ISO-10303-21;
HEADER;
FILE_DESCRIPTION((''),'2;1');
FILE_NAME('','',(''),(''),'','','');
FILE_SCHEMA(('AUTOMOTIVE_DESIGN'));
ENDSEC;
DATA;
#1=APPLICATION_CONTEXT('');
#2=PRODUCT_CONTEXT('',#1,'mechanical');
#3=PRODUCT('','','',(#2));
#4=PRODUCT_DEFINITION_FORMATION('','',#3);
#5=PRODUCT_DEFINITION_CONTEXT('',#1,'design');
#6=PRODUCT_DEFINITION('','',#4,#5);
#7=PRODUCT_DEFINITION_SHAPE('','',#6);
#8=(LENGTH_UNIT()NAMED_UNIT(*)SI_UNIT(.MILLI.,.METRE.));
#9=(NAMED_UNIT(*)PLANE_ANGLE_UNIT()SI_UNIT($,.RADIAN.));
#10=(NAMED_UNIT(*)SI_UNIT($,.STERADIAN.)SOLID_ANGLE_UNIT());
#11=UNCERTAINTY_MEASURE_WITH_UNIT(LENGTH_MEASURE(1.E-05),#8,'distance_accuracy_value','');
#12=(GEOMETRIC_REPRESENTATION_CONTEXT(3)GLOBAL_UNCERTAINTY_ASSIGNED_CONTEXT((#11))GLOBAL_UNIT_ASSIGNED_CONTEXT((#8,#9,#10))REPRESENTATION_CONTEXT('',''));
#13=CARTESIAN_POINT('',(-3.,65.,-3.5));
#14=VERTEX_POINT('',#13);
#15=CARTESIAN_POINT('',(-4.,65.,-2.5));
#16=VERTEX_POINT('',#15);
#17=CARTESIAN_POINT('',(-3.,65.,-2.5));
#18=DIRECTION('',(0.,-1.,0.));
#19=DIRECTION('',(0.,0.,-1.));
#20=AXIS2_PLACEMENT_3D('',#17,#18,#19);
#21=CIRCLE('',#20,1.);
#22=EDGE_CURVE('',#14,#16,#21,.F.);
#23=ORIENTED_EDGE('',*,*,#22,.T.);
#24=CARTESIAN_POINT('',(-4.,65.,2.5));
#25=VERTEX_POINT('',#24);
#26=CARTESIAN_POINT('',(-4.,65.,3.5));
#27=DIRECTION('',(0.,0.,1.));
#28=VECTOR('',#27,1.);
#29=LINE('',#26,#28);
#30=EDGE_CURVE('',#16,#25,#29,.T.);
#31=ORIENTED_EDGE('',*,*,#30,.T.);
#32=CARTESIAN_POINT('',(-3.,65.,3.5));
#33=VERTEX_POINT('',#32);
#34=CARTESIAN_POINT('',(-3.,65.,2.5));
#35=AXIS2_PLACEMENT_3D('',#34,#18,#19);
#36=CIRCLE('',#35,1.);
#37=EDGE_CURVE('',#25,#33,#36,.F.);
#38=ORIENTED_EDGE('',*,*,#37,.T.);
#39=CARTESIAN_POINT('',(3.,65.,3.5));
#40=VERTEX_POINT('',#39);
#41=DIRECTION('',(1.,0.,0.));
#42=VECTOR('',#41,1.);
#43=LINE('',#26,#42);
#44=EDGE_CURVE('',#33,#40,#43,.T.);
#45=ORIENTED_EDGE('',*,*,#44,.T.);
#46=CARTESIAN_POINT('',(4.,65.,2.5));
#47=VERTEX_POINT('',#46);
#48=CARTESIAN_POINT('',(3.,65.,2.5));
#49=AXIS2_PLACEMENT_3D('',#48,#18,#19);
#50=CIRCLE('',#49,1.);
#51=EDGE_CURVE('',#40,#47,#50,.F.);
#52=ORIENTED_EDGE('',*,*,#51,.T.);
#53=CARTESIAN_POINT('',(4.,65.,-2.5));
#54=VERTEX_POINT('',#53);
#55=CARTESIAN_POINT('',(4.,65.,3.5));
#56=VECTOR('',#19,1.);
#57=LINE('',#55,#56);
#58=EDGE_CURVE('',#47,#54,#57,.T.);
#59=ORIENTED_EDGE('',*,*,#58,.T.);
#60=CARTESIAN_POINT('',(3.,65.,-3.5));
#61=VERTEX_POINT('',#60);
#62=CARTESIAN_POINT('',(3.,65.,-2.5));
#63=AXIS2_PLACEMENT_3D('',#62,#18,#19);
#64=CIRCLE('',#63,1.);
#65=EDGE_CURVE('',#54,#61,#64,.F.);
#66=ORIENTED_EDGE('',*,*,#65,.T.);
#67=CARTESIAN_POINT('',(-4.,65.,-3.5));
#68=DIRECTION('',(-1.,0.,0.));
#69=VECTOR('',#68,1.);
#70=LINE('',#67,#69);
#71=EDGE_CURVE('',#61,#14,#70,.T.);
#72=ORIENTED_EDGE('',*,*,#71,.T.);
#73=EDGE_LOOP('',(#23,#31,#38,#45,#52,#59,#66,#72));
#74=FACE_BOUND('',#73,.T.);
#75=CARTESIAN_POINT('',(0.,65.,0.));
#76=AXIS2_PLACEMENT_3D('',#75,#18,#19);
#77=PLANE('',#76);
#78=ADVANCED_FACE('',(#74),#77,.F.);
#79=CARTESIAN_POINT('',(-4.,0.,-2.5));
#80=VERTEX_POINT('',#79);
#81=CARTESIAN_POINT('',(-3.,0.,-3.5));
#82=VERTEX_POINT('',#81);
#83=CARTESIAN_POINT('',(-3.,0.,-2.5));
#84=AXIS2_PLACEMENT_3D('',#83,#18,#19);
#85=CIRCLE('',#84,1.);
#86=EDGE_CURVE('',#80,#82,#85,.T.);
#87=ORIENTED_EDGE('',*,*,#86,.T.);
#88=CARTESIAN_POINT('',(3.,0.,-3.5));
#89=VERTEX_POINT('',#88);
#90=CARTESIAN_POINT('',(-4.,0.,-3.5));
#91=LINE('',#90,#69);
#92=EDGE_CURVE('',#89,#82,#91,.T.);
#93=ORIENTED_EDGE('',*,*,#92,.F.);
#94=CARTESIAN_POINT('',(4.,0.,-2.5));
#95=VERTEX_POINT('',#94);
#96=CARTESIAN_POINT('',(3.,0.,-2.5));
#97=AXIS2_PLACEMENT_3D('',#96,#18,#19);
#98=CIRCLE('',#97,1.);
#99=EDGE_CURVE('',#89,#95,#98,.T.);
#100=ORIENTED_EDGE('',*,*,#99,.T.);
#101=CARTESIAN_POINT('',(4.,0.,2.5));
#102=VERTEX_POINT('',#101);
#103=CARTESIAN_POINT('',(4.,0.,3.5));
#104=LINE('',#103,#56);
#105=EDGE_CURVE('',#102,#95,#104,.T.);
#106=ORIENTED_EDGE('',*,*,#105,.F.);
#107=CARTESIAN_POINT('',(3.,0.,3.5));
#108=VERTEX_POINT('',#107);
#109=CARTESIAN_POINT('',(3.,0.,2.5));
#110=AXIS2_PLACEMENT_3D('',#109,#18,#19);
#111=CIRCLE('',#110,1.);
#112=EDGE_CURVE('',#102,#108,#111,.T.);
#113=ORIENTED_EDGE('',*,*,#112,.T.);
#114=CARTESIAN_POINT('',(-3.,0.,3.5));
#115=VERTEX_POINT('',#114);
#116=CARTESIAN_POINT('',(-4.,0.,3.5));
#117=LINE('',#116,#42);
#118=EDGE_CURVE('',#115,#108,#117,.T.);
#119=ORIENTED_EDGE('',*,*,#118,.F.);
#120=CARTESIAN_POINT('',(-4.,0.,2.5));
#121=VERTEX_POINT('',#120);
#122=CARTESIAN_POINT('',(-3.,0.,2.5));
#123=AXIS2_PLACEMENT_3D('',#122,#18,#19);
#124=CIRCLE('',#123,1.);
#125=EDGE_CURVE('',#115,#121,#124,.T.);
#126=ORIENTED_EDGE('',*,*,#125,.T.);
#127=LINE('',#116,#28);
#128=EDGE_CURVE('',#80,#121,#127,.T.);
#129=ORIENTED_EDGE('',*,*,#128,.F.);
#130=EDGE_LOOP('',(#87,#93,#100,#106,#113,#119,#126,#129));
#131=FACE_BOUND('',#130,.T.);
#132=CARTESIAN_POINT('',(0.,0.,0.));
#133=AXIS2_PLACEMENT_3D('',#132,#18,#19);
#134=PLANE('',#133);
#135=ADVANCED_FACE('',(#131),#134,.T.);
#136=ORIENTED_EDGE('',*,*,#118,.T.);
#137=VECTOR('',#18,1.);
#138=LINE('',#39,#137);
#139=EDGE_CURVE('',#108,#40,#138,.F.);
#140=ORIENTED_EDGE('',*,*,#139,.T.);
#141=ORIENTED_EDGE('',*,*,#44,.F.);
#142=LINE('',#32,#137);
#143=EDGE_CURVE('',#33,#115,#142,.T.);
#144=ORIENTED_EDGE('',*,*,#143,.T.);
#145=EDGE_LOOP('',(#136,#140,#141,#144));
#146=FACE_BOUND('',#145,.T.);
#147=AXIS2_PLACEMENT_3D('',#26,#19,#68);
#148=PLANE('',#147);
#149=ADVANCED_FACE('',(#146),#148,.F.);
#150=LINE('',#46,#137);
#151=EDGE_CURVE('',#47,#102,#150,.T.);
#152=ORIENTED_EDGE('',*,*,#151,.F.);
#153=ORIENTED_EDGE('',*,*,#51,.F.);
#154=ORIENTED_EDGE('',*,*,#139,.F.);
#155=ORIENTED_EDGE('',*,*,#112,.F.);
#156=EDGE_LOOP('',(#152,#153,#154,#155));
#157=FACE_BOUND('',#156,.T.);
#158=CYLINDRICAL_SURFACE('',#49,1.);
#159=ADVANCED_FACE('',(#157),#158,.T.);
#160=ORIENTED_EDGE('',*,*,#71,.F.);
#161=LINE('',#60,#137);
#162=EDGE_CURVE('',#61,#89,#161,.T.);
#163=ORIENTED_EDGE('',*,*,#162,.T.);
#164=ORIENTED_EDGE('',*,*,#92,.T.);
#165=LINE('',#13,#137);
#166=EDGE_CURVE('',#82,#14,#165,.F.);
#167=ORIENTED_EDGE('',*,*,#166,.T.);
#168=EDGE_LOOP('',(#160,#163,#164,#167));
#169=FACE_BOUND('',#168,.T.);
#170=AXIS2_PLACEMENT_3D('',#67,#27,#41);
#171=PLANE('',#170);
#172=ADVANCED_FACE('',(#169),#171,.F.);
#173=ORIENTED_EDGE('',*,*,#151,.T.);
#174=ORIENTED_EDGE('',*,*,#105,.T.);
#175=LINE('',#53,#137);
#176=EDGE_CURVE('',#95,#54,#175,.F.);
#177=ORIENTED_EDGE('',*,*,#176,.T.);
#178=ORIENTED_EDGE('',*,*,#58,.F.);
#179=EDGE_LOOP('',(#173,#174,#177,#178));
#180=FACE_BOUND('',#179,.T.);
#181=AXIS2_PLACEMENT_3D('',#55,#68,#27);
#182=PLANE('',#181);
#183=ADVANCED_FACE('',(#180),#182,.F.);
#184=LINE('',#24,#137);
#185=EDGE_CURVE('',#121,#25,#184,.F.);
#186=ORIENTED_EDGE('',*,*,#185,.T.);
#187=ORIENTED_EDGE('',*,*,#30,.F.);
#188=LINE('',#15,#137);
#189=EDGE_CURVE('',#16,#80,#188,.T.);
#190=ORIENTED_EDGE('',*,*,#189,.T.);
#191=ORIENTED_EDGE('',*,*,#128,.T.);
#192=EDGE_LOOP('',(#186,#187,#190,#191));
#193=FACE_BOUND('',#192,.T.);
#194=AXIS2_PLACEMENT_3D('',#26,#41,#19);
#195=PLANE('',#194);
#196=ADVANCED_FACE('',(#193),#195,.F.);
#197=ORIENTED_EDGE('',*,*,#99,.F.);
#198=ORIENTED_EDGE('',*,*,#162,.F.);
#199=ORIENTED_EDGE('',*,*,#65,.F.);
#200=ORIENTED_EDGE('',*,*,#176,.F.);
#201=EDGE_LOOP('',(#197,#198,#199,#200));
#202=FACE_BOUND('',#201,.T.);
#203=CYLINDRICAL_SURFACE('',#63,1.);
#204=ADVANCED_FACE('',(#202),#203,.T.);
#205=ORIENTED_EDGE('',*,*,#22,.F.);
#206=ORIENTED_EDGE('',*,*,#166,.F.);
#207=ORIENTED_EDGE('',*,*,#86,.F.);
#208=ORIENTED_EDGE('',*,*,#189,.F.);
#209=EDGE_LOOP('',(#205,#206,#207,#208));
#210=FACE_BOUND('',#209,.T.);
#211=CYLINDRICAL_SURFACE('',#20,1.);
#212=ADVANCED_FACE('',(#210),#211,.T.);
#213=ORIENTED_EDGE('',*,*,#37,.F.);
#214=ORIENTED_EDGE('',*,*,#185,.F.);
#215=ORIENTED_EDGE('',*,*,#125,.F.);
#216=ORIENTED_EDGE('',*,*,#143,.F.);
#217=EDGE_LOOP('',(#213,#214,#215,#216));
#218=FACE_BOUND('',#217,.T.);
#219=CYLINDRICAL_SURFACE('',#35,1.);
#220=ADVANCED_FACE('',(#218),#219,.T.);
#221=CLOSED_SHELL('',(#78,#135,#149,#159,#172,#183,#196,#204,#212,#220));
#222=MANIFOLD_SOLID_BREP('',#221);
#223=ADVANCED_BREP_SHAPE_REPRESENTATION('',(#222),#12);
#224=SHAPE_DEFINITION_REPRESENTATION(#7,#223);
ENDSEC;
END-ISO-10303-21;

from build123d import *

# Parameters (mm, degrees)
SKETCH1_W           = 8
SKETCH1_H           = 7
BOSS_EXTRUDE1_DEPTH = 65
FILLET1_R           = 1


with BuildPart() as part:
    # Sketch1 → Boss-Extrude1 (new body)
    with BuildSketch(Plane(origin=(0, 0, 0), x_dir=(1, 0, 0), z_dir=(0, 1, 0))):
        Rectangle(SKETCH1_W, SKETCH1_H)
    extrude(amount=BOSS_EXTRUDE1_DEPTH)

    # Fillet1
    fillet1_edges = [part.edges().sort_by_distance(p)[0] for p in [
        (4, 32.5, 3.5),
        (-4, 32.5, 3.5),
        (-4, 32.5, -3.5),
        (4, 32.5, -3.5),
    ]]
    fillet(fillet1_edges, radius=FILLET1_R)


solid = part.part
